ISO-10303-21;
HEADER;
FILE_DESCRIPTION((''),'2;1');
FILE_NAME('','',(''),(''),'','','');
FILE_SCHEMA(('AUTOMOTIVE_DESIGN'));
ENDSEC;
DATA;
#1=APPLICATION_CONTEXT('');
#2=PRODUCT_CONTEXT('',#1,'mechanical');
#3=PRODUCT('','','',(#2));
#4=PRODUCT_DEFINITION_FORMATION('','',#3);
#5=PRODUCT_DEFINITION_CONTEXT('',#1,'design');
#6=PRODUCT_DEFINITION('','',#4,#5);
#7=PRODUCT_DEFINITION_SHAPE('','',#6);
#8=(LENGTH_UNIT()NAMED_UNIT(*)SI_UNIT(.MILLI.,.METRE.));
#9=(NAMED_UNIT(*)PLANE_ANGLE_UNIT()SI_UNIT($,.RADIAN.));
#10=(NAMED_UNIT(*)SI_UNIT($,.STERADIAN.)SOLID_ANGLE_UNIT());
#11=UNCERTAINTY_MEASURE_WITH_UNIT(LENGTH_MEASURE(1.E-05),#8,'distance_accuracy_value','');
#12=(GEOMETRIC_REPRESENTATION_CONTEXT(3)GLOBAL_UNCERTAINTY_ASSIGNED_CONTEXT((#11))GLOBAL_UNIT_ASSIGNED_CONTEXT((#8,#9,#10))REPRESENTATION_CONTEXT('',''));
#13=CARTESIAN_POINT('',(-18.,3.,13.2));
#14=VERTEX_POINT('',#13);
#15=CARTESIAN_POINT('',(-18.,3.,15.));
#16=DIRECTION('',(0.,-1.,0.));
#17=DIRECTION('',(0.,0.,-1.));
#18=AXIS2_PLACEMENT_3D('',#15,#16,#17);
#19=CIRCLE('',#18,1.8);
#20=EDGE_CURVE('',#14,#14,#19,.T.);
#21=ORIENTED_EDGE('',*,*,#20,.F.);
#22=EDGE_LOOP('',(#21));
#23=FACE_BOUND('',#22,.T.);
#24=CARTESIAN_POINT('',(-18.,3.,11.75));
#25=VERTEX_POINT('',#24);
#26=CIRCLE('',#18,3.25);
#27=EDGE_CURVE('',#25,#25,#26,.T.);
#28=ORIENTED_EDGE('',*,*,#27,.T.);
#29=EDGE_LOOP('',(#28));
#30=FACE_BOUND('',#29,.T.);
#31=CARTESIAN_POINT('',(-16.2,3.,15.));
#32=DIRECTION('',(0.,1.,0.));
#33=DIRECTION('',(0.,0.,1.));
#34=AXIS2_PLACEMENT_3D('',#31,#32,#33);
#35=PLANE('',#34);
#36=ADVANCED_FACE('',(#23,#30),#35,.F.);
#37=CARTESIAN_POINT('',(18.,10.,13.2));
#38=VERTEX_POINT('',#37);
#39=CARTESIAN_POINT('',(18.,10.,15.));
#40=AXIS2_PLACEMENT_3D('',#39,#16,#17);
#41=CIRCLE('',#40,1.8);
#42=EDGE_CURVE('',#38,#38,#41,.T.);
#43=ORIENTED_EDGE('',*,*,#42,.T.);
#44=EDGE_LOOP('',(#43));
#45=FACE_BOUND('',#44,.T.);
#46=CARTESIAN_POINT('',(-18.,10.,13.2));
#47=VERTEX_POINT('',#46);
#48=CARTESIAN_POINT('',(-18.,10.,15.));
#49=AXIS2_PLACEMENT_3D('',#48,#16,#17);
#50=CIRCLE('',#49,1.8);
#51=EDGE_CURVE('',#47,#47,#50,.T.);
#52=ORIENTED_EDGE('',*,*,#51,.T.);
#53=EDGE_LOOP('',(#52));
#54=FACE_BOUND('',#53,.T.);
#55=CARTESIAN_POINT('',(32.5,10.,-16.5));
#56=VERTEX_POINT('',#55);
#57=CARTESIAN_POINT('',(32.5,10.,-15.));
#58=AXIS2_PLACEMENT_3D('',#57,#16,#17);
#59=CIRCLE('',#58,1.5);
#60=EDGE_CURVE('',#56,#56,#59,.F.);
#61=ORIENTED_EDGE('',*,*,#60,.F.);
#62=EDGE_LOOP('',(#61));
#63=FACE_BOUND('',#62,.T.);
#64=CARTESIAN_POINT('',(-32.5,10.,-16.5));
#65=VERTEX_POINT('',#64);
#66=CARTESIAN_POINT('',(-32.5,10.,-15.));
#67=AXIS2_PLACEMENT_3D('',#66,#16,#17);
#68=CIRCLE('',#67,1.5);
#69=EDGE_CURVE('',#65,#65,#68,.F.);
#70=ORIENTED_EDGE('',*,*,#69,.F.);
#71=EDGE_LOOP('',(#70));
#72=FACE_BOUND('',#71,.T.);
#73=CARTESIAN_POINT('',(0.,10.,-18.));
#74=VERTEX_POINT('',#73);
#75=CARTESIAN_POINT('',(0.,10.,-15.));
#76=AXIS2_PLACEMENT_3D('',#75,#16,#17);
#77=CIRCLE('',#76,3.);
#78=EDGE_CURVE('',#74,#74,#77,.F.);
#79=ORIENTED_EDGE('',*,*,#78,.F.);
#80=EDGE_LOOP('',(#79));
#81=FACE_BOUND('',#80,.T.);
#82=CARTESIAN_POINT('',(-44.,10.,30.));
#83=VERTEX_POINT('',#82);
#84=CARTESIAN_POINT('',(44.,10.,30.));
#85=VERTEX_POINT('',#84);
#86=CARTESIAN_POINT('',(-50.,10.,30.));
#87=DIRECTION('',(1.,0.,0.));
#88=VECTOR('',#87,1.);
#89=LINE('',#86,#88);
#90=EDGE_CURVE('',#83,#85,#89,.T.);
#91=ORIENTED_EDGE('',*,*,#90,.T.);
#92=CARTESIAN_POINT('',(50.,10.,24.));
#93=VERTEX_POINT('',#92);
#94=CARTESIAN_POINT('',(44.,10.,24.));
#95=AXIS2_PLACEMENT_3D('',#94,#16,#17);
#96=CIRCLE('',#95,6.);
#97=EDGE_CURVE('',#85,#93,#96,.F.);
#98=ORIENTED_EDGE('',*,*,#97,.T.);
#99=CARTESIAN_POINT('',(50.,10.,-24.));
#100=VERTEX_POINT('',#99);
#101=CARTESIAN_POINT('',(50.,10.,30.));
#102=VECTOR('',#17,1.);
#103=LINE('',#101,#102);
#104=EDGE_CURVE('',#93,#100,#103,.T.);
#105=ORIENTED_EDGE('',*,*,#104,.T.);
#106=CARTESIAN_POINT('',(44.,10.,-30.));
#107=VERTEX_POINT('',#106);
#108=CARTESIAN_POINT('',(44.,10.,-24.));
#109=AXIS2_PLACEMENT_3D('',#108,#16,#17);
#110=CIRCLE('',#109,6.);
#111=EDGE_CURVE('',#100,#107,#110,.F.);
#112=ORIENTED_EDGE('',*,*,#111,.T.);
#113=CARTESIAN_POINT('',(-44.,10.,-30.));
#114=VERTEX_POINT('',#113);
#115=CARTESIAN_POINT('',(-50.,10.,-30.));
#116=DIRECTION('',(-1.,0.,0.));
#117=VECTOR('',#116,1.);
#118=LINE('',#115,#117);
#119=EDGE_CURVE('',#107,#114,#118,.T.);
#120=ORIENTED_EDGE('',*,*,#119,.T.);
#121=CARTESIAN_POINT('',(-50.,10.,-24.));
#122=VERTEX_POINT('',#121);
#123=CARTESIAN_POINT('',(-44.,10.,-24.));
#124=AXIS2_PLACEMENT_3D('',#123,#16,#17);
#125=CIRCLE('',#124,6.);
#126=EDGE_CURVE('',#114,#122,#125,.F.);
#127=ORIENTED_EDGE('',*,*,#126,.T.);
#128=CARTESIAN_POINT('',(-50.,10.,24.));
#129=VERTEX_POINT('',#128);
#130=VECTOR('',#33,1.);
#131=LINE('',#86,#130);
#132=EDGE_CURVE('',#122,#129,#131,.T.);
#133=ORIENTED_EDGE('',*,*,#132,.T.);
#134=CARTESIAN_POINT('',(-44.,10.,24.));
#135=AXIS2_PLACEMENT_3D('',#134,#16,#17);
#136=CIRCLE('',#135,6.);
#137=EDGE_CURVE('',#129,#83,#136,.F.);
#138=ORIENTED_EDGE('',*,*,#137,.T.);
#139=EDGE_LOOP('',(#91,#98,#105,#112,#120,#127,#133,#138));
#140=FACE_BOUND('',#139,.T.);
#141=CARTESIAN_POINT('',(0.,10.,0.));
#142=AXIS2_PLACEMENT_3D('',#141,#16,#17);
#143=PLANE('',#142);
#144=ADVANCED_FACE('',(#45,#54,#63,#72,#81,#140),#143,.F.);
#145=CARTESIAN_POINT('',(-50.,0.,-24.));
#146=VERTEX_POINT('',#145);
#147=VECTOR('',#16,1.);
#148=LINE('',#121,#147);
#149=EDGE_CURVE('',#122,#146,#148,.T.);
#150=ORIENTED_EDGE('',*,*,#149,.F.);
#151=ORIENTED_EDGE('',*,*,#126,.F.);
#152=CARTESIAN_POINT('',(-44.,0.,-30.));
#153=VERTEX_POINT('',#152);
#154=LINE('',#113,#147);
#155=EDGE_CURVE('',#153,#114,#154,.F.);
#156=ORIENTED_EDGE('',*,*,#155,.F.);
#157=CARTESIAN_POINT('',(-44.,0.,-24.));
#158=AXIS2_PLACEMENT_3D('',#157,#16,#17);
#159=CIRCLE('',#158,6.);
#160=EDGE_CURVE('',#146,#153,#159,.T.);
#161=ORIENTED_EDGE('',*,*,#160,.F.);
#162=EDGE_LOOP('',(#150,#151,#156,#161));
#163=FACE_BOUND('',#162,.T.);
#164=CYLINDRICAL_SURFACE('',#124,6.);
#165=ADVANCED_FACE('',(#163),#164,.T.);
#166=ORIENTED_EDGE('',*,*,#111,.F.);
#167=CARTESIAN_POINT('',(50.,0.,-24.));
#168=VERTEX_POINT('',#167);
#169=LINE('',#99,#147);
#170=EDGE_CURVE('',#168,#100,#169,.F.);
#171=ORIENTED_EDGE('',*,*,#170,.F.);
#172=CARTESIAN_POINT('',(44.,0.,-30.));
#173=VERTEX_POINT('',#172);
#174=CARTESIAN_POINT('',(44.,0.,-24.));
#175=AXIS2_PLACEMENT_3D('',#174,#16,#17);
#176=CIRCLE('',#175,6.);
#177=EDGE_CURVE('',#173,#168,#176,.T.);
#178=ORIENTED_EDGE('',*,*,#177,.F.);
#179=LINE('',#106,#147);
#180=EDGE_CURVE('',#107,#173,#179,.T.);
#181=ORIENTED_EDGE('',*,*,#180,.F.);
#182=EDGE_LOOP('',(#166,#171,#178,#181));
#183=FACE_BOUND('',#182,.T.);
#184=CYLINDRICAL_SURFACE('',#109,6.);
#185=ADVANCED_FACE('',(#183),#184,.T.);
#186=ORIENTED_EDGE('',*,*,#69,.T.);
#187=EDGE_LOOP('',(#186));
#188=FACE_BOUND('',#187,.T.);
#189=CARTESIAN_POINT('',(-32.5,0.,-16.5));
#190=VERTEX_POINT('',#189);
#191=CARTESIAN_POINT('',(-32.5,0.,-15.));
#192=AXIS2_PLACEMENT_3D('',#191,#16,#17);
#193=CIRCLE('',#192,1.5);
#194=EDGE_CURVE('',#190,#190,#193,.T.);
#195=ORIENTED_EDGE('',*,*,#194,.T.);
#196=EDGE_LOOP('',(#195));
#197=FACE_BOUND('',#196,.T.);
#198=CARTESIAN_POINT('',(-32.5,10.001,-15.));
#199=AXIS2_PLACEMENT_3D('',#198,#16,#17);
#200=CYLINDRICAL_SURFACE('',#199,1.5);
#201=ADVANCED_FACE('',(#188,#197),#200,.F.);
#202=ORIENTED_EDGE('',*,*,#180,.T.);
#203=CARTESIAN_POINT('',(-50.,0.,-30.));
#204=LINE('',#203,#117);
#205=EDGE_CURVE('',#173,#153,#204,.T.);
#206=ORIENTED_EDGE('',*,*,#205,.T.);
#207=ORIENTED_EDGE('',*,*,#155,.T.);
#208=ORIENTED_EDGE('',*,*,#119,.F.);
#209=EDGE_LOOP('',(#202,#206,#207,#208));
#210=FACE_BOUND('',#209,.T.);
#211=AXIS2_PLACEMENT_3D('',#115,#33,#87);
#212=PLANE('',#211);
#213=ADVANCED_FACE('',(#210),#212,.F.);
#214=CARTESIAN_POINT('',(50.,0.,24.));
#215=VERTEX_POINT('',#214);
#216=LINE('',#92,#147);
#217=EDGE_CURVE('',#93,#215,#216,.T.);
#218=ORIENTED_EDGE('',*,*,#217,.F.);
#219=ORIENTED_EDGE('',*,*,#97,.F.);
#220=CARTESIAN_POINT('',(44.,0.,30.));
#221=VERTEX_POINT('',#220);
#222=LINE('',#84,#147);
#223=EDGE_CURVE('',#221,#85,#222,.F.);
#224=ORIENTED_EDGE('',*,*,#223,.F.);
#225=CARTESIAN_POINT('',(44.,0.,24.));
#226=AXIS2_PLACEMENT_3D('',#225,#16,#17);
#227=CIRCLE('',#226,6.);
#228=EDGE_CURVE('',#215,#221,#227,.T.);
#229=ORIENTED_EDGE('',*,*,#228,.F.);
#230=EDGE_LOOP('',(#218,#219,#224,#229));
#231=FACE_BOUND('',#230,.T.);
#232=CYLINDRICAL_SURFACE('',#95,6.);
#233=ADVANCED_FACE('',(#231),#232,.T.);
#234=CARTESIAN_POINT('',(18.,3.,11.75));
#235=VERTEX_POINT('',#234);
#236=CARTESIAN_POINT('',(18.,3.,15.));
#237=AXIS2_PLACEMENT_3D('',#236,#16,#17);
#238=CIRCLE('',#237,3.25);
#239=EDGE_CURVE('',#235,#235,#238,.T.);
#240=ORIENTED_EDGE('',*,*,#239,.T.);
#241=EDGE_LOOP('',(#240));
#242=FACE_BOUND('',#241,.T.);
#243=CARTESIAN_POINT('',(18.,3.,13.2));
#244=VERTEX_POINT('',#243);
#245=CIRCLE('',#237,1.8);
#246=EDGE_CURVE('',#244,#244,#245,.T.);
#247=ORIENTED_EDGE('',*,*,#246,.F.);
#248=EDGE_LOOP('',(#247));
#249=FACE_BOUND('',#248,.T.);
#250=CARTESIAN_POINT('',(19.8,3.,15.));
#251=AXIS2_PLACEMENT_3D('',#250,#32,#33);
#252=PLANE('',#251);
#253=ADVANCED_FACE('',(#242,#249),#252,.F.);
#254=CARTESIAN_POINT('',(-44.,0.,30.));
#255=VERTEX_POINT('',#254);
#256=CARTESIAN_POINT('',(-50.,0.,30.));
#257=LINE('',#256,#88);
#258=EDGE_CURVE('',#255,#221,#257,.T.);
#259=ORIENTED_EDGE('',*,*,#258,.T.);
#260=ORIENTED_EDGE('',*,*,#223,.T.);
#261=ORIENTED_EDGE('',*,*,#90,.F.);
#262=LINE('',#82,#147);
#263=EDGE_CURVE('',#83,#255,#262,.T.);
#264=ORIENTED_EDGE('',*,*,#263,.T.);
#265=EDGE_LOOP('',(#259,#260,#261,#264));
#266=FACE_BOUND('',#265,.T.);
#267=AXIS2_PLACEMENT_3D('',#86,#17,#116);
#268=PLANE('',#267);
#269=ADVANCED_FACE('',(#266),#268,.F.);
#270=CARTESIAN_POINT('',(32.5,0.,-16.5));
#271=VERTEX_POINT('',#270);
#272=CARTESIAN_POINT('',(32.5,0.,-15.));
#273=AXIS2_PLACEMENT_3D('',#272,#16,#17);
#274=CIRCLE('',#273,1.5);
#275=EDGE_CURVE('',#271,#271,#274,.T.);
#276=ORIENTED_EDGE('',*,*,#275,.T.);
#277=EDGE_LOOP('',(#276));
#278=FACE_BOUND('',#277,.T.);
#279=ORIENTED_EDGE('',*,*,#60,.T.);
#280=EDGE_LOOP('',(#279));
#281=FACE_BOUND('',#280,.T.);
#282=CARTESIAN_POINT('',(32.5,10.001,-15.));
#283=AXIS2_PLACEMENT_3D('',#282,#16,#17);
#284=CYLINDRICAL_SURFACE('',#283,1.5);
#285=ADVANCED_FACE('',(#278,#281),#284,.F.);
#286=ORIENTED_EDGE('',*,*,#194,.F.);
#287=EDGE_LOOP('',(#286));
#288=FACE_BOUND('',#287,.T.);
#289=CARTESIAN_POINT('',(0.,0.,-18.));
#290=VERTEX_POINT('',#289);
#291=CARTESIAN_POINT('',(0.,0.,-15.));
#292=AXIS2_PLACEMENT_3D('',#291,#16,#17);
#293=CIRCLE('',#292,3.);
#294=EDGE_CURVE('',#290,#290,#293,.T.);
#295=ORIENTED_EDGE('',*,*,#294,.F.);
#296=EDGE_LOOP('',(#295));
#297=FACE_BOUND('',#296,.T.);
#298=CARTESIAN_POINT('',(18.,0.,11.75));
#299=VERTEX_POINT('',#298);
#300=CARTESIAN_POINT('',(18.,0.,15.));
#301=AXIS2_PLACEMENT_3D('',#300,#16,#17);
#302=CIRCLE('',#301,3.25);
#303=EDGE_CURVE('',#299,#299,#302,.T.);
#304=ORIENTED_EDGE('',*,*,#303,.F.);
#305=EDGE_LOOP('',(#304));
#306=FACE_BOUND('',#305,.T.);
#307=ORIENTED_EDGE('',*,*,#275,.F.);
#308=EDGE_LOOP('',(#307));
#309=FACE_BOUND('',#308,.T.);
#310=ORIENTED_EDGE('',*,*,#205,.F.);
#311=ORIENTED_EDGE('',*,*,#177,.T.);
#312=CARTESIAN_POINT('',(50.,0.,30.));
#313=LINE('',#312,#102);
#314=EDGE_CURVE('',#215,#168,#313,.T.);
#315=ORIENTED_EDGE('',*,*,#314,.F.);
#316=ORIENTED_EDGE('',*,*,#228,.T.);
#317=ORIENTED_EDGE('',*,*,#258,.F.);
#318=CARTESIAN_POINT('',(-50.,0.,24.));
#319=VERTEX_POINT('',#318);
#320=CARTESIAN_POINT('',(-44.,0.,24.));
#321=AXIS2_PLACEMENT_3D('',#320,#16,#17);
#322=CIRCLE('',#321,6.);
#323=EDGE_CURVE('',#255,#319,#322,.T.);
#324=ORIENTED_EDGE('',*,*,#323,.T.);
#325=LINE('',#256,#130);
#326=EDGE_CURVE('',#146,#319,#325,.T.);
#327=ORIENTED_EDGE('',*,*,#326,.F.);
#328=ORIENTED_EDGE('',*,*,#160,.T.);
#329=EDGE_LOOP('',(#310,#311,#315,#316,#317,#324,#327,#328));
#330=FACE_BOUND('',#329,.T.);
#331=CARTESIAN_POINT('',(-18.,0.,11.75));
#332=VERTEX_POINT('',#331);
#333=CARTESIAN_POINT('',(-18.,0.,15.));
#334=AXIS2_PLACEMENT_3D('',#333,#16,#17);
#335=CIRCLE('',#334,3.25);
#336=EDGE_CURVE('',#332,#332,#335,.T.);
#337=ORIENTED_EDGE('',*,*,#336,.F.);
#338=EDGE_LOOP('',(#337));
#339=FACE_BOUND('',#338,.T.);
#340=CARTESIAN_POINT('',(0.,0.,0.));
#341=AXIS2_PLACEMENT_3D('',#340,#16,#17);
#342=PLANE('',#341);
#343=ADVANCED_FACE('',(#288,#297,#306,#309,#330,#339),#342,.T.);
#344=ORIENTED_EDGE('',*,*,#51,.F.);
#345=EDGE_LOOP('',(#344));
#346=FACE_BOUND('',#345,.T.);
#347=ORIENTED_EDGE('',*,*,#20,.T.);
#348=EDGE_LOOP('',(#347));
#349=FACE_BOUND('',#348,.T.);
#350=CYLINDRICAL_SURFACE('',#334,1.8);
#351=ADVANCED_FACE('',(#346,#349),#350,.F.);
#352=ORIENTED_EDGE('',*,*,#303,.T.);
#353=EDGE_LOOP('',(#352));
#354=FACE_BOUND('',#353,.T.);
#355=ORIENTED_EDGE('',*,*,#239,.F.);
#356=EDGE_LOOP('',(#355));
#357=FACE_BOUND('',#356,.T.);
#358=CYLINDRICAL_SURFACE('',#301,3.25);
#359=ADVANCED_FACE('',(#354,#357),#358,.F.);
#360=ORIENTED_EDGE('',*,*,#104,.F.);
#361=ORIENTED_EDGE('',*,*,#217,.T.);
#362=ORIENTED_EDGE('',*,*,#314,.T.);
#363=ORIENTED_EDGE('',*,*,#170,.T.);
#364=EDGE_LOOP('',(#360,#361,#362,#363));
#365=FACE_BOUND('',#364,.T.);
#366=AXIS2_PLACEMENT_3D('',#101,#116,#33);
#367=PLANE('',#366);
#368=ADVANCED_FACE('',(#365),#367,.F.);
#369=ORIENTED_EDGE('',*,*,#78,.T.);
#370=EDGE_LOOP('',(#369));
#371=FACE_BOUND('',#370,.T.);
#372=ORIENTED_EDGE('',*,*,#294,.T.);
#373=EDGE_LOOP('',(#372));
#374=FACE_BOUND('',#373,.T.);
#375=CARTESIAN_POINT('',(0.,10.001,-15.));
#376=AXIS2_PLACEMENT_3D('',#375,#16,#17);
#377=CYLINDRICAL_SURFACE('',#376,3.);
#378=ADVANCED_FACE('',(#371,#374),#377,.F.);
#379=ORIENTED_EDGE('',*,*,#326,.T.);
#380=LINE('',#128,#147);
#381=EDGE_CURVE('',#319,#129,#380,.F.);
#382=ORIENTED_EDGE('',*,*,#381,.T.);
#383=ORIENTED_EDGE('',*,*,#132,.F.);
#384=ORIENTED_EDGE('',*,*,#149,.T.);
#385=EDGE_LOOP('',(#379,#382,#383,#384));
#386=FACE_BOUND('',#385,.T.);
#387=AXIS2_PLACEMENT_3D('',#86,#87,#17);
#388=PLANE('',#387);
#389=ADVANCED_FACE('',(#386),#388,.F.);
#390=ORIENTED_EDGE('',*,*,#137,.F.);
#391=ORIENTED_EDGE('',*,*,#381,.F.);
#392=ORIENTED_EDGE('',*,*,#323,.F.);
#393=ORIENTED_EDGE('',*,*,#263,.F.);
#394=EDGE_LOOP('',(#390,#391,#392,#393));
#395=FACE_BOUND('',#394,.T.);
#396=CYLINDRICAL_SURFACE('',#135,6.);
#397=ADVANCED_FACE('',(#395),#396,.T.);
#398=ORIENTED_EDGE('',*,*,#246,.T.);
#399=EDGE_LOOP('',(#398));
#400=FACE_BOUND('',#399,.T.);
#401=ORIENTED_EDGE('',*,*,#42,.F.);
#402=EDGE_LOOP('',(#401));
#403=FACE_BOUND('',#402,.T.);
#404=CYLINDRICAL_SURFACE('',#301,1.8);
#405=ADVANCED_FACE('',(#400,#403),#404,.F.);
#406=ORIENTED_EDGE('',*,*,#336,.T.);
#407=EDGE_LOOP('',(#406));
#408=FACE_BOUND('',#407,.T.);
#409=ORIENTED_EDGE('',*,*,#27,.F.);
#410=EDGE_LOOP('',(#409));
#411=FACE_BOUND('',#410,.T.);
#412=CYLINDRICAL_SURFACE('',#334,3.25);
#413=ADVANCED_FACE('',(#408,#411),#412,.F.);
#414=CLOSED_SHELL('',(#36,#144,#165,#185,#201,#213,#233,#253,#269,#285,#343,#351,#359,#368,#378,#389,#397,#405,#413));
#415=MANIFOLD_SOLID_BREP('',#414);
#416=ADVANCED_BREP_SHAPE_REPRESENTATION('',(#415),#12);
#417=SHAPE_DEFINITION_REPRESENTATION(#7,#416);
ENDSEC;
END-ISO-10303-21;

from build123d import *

# Parameters (mm, degrees)
SKETCH1_W                      = 100
SKETCH1_H                      = 60
BOSS_EXTRUDE1_DEPTH            = 10
CBORE_FOR_M3_SHCS1_D           = 3.6
CBORE_FOR_M3_SHCS1_CBORE_D     = 6.5
CBORE_FOR_M3_SHCS1_CBORE_DEPTH = 3
CUT_EXTRUDE1_REACH             = 61.161
SKETCH5_R                      = 3
SKETCH5_R_2                    = 1.5
FILLET1_R                      = 6


with BuildPart() as part:
    # Sketch1 → Boss-Extrude1 (new body)
    with BuildSketch(Plane(origin=(0, 0, 0), x_dir=(1, 0, 0), z_dir=(0, 1, 0))):
        Rectangle(SKETCH1_W, SKETCH1_H)
    extrude(amount=BOSS_EXTRUDE1_DEPTH)

    # CBORE for M3 SHCS1 (through all)
    with Locations(Plane(origin=(0, 0, 0), x_dir=(-1, 0, 0), z_dir=(0, -1, 0))):
        with Locations((-18, -15), (18, -15)):
            CounterBoreHole(CBORE_FOR_M3_SHCS1_D / 2, CBORE_FOR_M3_SHCS1_CBORE_D / 2, CBORE_FOR_M3_SHCS1_CBORE_DEPTH)

    # Sketch5 → Cut-Extrude1 (cut, up to next)
    with BuildSketch(Plane(origin=(0, 0, 0), x_dir=(-1, 0, 0), z_dir=(0, -1, 0)), mode=Mode.PRIVATE) as cut_extrude1_sk1:
        with Locations(Location((0, 15, 0), (0, 0, 90))):
            Circle(SKETCH5_R)
    cut_extrude1_tool1 = extrude(cut_extrude1_sk1.sketch, amount=-CUT_EXTRUDE1_REACH, mode=Mode.PRIVATE) & part.part
    # Sketch5 → Cut-Extrude1 (cut, up to next)
    with BuildSketch(Plane(origin=(0, 0, 0), x_dir=(-1, 0, 0), z_dir=(0, -1, 0)), mode=Mode.PRIVATE) as cut_extrude1_sk2:
        with Locations(Location((32.5, 15, 0), (0, 0, 90))):
            Circle(SKETCH5_R_2)
    cut_extrude1_tool2 = extrude(cut_extrude1_sk2.sketch, amount=-CUT_EXTRUDE1_REACH, mode=Mode.PRIVATE) & part.part
    # Sketch5 → Cut-Extrude1 (cut, up to next)
    with BuildSketch(Plane(origin=(0, 0, 0), x_dir=(-1, 0, 0), z_dir=(0, -1, 0)), mode=Mode.PRIVATE) as cut_extrude1_sk3:
        with Locations(Location((-32.5, 15, 0), (0, 0, 90))):
            Circle(SKETCH5_R_2)
    cut_extrude1_tool3 = extrude(cut_extrude1_sk3.sketch, amount=-CUT_EXTRUDE1_REACH, mode=Mode.PRIVATE) & part.part
    add(cut_extrude1_tool1.solids().sort_by_distance((0, 0, -15))[0], mode=Mode.SUBTRACT)
    add(cut_extrude1_tool2.solids().sort_by_distance((-32.5, 0, -15))[0], mode=Mode.SUBTRACT)
    add(cut_extrude1_tool3.solids().sort_by_distance((32.5, 0, -15))[0], mode=Mode.SUBTRACT)

    # Fillet1
    fillet1_edges = [part.edges().sort_by_distance(p)[0] for p in [
        (50, 5, 30),
        (-50, 5, 30),
        (-50, 5, -30),
        (50, 5, -30),
    ]]
    fillet(fillet1_edges, radius=FILLET1_R)


solid = part.part
